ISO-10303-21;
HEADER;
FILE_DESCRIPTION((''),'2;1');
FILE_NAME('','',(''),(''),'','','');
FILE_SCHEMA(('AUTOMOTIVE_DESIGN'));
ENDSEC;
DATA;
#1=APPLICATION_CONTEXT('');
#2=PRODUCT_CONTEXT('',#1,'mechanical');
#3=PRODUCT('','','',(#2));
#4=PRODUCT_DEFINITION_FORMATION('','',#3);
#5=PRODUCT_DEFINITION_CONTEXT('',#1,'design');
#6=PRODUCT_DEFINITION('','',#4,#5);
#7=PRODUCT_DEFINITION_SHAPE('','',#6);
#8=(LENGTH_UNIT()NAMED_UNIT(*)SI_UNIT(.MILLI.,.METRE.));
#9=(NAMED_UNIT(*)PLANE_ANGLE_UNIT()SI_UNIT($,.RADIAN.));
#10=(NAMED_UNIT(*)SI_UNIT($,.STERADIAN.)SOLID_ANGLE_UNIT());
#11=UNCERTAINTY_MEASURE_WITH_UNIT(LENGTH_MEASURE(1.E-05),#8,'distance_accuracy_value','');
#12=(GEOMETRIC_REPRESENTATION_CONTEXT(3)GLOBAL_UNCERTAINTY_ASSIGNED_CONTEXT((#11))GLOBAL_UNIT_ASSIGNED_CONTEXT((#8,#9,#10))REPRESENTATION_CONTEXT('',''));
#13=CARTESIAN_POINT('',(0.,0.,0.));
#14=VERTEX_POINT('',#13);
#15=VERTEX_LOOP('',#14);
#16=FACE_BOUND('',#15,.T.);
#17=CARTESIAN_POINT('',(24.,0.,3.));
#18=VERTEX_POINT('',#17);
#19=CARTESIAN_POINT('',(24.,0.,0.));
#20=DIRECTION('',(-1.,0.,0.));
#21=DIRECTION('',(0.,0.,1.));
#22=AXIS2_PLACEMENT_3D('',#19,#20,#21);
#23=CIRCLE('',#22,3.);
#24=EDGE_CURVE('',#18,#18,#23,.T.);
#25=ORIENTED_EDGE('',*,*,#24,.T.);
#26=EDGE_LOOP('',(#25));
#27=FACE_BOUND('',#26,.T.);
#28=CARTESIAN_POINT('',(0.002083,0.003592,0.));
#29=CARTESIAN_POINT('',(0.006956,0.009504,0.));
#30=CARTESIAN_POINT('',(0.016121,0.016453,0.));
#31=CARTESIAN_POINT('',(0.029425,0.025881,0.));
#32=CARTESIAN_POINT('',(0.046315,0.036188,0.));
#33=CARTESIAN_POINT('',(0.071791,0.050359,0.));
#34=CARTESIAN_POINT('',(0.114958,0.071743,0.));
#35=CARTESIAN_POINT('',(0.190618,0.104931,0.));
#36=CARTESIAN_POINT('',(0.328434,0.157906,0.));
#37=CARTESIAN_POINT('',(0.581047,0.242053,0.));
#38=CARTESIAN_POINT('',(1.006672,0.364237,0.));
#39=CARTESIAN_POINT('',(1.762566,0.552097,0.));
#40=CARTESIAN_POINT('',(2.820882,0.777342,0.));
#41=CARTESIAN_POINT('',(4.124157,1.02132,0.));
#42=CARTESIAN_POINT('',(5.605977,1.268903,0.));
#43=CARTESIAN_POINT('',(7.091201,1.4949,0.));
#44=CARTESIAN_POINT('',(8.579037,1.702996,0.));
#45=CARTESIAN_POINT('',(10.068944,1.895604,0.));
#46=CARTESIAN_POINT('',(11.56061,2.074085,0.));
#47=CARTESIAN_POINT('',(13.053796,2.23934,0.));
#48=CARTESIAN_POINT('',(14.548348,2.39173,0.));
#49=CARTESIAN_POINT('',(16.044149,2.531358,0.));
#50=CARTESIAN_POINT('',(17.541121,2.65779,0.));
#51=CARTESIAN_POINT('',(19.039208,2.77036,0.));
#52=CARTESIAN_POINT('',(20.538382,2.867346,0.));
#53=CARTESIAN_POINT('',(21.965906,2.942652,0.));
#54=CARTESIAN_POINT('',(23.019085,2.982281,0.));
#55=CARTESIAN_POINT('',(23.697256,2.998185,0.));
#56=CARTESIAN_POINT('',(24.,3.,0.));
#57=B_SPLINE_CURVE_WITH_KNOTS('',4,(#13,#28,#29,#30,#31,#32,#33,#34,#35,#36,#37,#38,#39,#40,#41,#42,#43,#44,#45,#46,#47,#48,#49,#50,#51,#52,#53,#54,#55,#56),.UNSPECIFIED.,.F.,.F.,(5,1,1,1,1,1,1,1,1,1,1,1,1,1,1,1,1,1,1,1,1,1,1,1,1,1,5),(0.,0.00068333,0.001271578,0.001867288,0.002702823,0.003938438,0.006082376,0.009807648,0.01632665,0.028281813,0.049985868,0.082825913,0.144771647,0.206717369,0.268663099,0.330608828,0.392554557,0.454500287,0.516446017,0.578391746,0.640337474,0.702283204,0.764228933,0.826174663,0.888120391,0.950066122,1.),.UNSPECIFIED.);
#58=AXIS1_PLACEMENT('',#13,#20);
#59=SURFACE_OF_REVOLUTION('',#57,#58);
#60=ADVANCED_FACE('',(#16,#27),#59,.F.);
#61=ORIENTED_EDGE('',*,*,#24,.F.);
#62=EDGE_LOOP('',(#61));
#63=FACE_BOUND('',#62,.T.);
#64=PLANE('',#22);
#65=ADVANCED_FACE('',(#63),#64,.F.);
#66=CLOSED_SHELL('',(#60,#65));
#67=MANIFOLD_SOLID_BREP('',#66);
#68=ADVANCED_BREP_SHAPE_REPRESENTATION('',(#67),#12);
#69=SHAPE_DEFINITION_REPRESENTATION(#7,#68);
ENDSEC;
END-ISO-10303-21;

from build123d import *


with BuildPart() as part:
    # Sketch11 → Revolve10 (revolve)
    with BuildSketch(Plane.XY):
        with BuildLine():
            Line((0, 0), (24, 0))
            Line((24, 0), (24, 3))
            add(Edge.make_bspline(
                [(0, 0), (0.002082938, 0.003592282), (0.006955612, 0.009504493), (0.016121466, 0.016453157), (0.029425432, 0.025880744), (0.046315451, 0.036187846), (0.071790685, 0.050358552), (0.114958349, 0.071742967), (0.190618213, 0.104930537), (0.328433942, 0.157905783), (0.581046914, 0.242053237), (1.006672163, 0.364236676), (1.762565678, 0.55209695), (2.820881731, 0.777342197), (4.124157138, 1.021320027), (5.605976983, 1.268903242), (7.091200989, 1.494899748), (8.579036911, 1.702995624), (10.068944452, 1.895604051), (11.560610087, 2.074085365), (13.053795698, 2.239339594), (14.548348012, 2.391729739), (16.044148913, 2.531357565), (17.54112069, 2.657789619), (19.039208284, 2.770360149), (20.538382219, 2.867346425), (21.965905642, 2.942651696), (23.019084908, 2.982281147), (23.697255753, 2.998185314), (24, 3)],
                knots=[0, 0, 0, 0, 0, 0.00068333, 0.001271578, 0.001867288, 0.002702823, 0.003938438, 0.006082376, 0.009807648, 0.01632665, 0.028281813, 0.049985868, 0.082825913, 0.144771647, 0.206717369, 0.268663099, 0.330608828, 0.392554557, 0.454500287, 0.516446017, 0.578391746, 0.640337474, 0.702283204, 0.764228933, 0.826174663, 0.888120391, 0.950066122, 1, 1, 1, 1, 1], degree=4))
        make_face()
    revolve(axis=Axis((0, 0, 0), (1, 0, 0)))


solid = part.part
